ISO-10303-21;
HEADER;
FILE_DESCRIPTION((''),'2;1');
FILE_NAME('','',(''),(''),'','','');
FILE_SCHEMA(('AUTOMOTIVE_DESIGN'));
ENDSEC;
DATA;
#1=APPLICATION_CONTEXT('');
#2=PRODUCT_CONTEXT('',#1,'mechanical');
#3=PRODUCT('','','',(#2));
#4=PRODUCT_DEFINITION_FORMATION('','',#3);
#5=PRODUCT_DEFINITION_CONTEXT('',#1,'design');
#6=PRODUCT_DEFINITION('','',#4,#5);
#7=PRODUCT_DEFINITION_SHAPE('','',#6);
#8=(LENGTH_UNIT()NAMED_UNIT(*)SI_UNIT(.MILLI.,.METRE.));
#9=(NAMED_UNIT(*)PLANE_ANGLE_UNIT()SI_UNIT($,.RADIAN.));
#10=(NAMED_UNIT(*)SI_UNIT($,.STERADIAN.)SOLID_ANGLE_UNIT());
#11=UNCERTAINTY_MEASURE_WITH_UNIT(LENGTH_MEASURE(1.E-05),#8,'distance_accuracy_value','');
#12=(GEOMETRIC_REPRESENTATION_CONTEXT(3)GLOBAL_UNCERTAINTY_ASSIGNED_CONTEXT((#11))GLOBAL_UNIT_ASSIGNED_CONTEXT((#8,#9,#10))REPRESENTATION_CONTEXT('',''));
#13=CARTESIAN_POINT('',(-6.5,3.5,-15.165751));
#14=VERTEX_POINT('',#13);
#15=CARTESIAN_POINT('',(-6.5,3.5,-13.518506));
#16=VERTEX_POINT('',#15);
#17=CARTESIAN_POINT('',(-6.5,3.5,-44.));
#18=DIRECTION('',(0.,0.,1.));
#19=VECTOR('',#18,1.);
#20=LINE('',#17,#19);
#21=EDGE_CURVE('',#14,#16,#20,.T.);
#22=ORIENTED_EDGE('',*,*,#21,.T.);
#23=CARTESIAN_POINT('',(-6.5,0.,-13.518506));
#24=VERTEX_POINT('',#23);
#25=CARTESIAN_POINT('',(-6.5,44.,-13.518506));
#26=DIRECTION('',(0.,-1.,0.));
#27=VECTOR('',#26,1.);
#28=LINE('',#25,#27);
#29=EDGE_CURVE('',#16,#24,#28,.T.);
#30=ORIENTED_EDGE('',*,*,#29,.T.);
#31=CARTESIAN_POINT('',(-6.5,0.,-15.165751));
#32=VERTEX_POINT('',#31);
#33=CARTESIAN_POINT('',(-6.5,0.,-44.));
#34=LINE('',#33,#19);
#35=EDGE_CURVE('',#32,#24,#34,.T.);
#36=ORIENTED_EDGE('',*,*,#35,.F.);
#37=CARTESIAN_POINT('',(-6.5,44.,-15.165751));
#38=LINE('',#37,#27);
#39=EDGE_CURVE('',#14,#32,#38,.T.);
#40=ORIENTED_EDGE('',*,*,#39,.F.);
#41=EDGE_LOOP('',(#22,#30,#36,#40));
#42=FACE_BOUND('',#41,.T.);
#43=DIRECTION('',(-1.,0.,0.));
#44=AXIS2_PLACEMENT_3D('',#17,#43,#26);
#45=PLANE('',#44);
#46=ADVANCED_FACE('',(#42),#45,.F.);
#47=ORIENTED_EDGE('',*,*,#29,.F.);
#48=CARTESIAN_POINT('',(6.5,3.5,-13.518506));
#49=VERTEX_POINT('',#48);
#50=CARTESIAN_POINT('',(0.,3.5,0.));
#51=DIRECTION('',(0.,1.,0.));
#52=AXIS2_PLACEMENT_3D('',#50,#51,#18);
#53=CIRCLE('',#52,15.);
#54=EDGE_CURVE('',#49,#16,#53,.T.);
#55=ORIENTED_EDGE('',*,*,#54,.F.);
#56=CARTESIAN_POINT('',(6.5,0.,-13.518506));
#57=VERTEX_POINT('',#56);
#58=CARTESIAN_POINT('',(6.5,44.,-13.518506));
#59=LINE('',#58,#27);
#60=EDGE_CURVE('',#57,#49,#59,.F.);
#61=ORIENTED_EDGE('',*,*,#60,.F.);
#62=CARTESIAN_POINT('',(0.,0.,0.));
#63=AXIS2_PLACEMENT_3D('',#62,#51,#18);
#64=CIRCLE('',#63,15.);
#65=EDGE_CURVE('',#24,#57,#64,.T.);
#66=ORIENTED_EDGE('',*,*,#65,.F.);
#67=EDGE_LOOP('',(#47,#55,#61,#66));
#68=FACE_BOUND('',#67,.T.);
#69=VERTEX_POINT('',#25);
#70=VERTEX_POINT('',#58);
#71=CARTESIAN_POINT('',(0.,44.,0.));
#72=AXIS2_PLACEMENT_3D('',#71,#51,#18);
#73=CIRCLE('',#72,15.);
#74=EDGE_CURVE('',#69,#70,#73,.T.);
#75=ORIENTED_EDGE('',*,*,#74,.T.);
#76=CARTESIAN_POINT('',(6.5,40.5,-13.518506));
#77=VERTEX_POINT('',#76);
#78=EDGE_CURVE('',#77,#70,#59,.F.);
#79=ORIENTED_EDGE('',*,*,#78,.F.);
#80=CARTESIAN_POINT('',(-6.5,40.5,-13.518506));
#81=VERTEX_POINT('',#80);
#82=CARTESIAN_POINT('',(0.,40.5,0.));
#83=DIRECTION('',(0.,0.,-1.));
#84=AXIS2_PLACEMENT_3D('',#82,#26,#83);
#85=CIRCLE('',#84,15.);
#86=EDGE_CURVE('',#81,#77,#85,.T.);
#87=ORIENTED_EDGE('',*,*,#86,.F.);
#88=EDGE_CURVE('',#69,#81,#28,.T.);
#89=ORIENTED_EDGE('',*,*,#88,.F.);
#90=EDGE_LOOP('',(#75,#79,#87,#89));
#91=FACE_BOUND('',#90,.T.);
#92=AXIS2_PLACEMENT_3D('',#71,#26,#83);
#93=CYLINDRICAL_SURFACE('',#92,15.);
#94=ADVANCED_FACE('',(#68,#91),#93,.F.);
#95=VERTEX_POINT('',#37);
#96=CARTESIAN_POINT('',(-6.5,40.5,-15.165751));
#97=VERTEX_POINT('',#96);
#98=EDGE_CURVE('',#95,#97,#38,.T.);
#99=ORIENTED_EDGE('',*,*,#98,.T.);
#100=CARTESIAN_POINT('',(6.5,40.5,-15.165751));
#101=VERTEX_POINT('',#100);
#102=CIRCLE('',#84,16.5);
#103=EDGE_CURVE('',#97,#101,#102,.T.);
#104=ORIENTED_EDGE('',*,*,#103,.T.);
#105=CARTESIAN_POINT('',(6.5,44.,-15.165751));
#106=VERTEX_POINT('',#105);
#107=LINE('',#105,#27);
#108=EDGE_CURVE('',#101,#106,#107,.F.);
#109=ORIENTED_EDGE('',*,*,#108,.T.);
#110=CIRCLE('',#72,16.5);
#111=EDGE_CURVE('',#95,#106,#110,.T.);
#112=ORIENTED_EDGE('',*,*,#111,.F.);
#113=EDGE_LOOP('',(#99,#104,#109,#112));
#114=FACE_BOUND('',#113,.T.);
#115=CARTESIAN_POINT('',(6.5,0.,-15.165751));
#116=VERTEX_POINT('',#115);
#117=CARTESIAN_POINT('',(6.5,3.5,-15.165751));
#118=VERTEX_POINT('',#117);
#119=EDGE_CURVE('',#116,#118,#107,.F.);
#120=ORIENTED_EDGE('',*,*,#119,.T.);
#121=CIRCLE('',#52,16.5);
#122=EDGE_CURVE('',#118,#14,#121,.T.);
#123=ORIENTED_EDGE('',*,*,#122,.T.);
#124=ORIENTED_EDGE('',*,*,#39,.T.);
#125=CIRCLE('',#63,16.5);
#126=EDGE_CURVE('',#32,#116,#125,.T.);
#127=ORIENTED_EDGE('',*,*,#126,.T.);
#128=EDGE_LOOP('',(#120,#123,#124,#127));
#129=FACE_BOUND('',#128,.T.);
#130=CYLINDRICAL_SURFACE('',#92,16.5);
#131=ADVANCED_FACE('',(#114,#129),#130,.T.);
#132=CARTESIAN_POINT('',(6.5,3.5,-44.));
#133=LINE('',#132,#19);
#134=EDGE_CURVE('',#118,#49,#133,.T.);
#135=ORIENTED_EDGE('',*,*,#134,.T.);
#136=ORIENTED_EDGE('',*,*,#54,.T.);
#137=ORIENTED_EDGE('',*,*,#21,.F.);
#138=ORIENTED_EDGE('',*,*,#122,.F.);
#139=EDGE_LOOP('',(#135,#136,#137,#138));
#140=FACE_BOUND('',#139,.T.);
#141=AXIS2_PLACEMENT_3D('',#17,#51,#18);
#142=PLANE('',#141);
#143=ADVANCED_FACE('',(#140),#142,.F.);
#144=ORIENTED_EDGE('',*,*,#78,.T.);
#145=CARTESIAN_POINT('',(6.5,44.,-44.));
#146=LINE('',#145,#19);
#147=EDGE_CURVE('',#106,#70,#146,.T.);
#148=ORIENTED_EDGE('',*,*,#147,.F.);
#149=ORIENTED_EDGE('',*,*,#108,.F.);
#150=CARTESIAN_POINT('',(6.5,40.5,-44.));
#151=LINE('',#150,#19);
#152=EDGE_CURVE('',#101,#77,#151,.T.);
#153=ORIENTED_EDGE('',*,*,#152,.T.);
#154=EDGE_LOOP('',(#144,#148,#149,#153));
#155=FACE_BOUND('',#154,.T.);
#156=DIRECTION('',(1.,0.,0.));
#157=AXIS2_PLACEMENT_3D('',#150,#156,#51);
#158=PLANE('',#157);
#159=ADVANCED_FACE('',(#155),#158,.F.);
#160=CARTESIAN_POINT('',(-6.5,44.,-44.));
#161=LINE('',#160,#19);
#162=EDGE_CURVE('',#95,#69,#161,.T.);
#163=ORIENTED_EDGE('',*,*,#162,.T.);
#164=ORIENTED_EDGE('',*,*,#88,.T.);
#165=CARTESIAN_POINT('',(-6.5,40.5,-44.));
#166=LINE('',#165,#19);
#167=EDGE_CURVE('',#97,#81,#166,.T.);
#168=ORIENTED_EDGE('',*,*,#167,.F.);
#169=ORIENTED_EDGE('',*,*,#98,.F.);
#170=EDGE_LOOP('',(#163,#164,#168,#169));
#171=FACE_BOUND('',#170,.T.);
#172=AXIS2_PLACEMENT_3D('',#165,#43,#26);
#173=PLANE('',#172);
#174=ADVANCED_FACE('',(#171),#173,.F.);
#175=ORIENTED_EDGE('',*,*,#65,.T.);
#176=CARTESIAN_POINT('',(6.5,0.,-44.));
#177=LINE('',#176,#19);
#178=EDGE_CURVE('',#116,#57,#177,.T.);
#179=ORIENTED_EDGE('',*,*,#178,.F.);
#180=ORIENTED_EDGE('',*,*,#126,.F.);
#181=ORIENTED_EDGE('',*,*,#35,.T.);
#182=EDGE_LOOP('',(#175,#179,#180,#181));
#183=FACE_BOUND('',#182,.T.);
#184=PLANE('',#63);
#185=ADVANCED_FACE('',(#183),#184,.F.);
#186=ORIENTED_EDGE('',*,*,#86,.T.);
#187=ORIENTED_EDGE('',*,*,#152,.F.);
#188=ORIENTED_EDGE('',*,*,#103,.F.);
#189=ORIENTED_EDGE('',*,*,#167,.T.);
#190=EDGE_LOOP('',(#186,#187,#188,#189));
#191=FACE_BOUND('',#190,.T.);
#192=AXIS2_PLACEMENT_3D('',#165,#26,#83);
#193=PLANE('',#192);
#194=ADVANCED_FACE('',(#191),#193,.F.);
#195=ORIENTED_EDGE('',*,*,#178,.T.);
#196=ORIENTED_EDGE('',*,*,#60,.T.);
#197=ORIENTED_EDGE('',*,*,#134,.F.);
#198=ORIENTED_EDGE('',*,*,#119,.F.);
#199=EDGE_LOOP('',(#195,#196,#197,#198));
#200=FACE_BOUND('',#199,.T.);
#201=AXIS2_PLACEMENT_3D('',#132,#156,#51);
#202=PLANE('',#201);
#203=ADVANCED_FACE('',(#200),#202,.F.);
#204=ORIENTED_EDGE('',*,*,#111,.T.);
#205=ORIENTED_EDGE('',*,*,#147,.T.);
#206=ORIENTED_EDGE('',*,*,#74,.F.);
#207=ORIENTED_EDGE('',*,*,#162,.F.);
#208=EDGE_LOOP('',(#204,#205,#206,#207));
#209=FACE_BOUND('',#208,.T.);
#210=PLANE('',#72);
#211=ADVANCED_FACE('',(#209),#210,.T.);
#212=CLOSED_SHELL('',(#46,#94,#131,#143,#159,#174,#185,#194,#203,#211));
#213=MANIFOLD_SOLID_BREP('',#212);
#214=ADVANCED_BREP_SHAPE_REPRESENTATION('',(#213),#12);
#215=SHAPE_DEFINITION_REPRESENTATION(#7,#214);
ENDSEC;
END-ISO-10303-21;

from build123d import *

# Parameters (mm, degrees)
SKETCH1_R           = 16.5
SKETCH1_R_2         = 15
BOSS_EXTRUDE1_DEPTH = 44
SKETCH3_W           = 13
SKETCH3_H           = 3.5
CUT_EXTRUDE1_DEPTH  = 44


with BuildPart() as part:
    # Sketch1 → Boss-Extrude1 (new body)
    with BuildSketch(Plane(origin=(0, 0, 0), x_dir=(1, 0, 0), z_dir=(0, 1, 0))):
        with Locations(Location((0, 0, 0), (0, 0, 270))):
            Circle(SKETCH1_R)
        with Locations(Location((0, 0, 0), (0, 0, 270))):
            Circle(SKETCH1_R_2, mode=Mode.SUBTRACT)
    extrude(amount=BOSS_EXTRUDE1_DEPTH)

    # Sketch3 → Cut-Extrude1 (cut)
    with BuildSketch(Plane.XY):
        with Locations((0, 1.75)):
            Rectangle(SKETCH3_W, SKETCH3_H)
        with Locations((0, 42.25)):
            Rectangle(SKETCH3_W, SKETCH3_H)
    extrude(amount=-CUT_EXTRUDE1_DEPTH, mode=Mode.SUBTRACT)


solid = part.part
